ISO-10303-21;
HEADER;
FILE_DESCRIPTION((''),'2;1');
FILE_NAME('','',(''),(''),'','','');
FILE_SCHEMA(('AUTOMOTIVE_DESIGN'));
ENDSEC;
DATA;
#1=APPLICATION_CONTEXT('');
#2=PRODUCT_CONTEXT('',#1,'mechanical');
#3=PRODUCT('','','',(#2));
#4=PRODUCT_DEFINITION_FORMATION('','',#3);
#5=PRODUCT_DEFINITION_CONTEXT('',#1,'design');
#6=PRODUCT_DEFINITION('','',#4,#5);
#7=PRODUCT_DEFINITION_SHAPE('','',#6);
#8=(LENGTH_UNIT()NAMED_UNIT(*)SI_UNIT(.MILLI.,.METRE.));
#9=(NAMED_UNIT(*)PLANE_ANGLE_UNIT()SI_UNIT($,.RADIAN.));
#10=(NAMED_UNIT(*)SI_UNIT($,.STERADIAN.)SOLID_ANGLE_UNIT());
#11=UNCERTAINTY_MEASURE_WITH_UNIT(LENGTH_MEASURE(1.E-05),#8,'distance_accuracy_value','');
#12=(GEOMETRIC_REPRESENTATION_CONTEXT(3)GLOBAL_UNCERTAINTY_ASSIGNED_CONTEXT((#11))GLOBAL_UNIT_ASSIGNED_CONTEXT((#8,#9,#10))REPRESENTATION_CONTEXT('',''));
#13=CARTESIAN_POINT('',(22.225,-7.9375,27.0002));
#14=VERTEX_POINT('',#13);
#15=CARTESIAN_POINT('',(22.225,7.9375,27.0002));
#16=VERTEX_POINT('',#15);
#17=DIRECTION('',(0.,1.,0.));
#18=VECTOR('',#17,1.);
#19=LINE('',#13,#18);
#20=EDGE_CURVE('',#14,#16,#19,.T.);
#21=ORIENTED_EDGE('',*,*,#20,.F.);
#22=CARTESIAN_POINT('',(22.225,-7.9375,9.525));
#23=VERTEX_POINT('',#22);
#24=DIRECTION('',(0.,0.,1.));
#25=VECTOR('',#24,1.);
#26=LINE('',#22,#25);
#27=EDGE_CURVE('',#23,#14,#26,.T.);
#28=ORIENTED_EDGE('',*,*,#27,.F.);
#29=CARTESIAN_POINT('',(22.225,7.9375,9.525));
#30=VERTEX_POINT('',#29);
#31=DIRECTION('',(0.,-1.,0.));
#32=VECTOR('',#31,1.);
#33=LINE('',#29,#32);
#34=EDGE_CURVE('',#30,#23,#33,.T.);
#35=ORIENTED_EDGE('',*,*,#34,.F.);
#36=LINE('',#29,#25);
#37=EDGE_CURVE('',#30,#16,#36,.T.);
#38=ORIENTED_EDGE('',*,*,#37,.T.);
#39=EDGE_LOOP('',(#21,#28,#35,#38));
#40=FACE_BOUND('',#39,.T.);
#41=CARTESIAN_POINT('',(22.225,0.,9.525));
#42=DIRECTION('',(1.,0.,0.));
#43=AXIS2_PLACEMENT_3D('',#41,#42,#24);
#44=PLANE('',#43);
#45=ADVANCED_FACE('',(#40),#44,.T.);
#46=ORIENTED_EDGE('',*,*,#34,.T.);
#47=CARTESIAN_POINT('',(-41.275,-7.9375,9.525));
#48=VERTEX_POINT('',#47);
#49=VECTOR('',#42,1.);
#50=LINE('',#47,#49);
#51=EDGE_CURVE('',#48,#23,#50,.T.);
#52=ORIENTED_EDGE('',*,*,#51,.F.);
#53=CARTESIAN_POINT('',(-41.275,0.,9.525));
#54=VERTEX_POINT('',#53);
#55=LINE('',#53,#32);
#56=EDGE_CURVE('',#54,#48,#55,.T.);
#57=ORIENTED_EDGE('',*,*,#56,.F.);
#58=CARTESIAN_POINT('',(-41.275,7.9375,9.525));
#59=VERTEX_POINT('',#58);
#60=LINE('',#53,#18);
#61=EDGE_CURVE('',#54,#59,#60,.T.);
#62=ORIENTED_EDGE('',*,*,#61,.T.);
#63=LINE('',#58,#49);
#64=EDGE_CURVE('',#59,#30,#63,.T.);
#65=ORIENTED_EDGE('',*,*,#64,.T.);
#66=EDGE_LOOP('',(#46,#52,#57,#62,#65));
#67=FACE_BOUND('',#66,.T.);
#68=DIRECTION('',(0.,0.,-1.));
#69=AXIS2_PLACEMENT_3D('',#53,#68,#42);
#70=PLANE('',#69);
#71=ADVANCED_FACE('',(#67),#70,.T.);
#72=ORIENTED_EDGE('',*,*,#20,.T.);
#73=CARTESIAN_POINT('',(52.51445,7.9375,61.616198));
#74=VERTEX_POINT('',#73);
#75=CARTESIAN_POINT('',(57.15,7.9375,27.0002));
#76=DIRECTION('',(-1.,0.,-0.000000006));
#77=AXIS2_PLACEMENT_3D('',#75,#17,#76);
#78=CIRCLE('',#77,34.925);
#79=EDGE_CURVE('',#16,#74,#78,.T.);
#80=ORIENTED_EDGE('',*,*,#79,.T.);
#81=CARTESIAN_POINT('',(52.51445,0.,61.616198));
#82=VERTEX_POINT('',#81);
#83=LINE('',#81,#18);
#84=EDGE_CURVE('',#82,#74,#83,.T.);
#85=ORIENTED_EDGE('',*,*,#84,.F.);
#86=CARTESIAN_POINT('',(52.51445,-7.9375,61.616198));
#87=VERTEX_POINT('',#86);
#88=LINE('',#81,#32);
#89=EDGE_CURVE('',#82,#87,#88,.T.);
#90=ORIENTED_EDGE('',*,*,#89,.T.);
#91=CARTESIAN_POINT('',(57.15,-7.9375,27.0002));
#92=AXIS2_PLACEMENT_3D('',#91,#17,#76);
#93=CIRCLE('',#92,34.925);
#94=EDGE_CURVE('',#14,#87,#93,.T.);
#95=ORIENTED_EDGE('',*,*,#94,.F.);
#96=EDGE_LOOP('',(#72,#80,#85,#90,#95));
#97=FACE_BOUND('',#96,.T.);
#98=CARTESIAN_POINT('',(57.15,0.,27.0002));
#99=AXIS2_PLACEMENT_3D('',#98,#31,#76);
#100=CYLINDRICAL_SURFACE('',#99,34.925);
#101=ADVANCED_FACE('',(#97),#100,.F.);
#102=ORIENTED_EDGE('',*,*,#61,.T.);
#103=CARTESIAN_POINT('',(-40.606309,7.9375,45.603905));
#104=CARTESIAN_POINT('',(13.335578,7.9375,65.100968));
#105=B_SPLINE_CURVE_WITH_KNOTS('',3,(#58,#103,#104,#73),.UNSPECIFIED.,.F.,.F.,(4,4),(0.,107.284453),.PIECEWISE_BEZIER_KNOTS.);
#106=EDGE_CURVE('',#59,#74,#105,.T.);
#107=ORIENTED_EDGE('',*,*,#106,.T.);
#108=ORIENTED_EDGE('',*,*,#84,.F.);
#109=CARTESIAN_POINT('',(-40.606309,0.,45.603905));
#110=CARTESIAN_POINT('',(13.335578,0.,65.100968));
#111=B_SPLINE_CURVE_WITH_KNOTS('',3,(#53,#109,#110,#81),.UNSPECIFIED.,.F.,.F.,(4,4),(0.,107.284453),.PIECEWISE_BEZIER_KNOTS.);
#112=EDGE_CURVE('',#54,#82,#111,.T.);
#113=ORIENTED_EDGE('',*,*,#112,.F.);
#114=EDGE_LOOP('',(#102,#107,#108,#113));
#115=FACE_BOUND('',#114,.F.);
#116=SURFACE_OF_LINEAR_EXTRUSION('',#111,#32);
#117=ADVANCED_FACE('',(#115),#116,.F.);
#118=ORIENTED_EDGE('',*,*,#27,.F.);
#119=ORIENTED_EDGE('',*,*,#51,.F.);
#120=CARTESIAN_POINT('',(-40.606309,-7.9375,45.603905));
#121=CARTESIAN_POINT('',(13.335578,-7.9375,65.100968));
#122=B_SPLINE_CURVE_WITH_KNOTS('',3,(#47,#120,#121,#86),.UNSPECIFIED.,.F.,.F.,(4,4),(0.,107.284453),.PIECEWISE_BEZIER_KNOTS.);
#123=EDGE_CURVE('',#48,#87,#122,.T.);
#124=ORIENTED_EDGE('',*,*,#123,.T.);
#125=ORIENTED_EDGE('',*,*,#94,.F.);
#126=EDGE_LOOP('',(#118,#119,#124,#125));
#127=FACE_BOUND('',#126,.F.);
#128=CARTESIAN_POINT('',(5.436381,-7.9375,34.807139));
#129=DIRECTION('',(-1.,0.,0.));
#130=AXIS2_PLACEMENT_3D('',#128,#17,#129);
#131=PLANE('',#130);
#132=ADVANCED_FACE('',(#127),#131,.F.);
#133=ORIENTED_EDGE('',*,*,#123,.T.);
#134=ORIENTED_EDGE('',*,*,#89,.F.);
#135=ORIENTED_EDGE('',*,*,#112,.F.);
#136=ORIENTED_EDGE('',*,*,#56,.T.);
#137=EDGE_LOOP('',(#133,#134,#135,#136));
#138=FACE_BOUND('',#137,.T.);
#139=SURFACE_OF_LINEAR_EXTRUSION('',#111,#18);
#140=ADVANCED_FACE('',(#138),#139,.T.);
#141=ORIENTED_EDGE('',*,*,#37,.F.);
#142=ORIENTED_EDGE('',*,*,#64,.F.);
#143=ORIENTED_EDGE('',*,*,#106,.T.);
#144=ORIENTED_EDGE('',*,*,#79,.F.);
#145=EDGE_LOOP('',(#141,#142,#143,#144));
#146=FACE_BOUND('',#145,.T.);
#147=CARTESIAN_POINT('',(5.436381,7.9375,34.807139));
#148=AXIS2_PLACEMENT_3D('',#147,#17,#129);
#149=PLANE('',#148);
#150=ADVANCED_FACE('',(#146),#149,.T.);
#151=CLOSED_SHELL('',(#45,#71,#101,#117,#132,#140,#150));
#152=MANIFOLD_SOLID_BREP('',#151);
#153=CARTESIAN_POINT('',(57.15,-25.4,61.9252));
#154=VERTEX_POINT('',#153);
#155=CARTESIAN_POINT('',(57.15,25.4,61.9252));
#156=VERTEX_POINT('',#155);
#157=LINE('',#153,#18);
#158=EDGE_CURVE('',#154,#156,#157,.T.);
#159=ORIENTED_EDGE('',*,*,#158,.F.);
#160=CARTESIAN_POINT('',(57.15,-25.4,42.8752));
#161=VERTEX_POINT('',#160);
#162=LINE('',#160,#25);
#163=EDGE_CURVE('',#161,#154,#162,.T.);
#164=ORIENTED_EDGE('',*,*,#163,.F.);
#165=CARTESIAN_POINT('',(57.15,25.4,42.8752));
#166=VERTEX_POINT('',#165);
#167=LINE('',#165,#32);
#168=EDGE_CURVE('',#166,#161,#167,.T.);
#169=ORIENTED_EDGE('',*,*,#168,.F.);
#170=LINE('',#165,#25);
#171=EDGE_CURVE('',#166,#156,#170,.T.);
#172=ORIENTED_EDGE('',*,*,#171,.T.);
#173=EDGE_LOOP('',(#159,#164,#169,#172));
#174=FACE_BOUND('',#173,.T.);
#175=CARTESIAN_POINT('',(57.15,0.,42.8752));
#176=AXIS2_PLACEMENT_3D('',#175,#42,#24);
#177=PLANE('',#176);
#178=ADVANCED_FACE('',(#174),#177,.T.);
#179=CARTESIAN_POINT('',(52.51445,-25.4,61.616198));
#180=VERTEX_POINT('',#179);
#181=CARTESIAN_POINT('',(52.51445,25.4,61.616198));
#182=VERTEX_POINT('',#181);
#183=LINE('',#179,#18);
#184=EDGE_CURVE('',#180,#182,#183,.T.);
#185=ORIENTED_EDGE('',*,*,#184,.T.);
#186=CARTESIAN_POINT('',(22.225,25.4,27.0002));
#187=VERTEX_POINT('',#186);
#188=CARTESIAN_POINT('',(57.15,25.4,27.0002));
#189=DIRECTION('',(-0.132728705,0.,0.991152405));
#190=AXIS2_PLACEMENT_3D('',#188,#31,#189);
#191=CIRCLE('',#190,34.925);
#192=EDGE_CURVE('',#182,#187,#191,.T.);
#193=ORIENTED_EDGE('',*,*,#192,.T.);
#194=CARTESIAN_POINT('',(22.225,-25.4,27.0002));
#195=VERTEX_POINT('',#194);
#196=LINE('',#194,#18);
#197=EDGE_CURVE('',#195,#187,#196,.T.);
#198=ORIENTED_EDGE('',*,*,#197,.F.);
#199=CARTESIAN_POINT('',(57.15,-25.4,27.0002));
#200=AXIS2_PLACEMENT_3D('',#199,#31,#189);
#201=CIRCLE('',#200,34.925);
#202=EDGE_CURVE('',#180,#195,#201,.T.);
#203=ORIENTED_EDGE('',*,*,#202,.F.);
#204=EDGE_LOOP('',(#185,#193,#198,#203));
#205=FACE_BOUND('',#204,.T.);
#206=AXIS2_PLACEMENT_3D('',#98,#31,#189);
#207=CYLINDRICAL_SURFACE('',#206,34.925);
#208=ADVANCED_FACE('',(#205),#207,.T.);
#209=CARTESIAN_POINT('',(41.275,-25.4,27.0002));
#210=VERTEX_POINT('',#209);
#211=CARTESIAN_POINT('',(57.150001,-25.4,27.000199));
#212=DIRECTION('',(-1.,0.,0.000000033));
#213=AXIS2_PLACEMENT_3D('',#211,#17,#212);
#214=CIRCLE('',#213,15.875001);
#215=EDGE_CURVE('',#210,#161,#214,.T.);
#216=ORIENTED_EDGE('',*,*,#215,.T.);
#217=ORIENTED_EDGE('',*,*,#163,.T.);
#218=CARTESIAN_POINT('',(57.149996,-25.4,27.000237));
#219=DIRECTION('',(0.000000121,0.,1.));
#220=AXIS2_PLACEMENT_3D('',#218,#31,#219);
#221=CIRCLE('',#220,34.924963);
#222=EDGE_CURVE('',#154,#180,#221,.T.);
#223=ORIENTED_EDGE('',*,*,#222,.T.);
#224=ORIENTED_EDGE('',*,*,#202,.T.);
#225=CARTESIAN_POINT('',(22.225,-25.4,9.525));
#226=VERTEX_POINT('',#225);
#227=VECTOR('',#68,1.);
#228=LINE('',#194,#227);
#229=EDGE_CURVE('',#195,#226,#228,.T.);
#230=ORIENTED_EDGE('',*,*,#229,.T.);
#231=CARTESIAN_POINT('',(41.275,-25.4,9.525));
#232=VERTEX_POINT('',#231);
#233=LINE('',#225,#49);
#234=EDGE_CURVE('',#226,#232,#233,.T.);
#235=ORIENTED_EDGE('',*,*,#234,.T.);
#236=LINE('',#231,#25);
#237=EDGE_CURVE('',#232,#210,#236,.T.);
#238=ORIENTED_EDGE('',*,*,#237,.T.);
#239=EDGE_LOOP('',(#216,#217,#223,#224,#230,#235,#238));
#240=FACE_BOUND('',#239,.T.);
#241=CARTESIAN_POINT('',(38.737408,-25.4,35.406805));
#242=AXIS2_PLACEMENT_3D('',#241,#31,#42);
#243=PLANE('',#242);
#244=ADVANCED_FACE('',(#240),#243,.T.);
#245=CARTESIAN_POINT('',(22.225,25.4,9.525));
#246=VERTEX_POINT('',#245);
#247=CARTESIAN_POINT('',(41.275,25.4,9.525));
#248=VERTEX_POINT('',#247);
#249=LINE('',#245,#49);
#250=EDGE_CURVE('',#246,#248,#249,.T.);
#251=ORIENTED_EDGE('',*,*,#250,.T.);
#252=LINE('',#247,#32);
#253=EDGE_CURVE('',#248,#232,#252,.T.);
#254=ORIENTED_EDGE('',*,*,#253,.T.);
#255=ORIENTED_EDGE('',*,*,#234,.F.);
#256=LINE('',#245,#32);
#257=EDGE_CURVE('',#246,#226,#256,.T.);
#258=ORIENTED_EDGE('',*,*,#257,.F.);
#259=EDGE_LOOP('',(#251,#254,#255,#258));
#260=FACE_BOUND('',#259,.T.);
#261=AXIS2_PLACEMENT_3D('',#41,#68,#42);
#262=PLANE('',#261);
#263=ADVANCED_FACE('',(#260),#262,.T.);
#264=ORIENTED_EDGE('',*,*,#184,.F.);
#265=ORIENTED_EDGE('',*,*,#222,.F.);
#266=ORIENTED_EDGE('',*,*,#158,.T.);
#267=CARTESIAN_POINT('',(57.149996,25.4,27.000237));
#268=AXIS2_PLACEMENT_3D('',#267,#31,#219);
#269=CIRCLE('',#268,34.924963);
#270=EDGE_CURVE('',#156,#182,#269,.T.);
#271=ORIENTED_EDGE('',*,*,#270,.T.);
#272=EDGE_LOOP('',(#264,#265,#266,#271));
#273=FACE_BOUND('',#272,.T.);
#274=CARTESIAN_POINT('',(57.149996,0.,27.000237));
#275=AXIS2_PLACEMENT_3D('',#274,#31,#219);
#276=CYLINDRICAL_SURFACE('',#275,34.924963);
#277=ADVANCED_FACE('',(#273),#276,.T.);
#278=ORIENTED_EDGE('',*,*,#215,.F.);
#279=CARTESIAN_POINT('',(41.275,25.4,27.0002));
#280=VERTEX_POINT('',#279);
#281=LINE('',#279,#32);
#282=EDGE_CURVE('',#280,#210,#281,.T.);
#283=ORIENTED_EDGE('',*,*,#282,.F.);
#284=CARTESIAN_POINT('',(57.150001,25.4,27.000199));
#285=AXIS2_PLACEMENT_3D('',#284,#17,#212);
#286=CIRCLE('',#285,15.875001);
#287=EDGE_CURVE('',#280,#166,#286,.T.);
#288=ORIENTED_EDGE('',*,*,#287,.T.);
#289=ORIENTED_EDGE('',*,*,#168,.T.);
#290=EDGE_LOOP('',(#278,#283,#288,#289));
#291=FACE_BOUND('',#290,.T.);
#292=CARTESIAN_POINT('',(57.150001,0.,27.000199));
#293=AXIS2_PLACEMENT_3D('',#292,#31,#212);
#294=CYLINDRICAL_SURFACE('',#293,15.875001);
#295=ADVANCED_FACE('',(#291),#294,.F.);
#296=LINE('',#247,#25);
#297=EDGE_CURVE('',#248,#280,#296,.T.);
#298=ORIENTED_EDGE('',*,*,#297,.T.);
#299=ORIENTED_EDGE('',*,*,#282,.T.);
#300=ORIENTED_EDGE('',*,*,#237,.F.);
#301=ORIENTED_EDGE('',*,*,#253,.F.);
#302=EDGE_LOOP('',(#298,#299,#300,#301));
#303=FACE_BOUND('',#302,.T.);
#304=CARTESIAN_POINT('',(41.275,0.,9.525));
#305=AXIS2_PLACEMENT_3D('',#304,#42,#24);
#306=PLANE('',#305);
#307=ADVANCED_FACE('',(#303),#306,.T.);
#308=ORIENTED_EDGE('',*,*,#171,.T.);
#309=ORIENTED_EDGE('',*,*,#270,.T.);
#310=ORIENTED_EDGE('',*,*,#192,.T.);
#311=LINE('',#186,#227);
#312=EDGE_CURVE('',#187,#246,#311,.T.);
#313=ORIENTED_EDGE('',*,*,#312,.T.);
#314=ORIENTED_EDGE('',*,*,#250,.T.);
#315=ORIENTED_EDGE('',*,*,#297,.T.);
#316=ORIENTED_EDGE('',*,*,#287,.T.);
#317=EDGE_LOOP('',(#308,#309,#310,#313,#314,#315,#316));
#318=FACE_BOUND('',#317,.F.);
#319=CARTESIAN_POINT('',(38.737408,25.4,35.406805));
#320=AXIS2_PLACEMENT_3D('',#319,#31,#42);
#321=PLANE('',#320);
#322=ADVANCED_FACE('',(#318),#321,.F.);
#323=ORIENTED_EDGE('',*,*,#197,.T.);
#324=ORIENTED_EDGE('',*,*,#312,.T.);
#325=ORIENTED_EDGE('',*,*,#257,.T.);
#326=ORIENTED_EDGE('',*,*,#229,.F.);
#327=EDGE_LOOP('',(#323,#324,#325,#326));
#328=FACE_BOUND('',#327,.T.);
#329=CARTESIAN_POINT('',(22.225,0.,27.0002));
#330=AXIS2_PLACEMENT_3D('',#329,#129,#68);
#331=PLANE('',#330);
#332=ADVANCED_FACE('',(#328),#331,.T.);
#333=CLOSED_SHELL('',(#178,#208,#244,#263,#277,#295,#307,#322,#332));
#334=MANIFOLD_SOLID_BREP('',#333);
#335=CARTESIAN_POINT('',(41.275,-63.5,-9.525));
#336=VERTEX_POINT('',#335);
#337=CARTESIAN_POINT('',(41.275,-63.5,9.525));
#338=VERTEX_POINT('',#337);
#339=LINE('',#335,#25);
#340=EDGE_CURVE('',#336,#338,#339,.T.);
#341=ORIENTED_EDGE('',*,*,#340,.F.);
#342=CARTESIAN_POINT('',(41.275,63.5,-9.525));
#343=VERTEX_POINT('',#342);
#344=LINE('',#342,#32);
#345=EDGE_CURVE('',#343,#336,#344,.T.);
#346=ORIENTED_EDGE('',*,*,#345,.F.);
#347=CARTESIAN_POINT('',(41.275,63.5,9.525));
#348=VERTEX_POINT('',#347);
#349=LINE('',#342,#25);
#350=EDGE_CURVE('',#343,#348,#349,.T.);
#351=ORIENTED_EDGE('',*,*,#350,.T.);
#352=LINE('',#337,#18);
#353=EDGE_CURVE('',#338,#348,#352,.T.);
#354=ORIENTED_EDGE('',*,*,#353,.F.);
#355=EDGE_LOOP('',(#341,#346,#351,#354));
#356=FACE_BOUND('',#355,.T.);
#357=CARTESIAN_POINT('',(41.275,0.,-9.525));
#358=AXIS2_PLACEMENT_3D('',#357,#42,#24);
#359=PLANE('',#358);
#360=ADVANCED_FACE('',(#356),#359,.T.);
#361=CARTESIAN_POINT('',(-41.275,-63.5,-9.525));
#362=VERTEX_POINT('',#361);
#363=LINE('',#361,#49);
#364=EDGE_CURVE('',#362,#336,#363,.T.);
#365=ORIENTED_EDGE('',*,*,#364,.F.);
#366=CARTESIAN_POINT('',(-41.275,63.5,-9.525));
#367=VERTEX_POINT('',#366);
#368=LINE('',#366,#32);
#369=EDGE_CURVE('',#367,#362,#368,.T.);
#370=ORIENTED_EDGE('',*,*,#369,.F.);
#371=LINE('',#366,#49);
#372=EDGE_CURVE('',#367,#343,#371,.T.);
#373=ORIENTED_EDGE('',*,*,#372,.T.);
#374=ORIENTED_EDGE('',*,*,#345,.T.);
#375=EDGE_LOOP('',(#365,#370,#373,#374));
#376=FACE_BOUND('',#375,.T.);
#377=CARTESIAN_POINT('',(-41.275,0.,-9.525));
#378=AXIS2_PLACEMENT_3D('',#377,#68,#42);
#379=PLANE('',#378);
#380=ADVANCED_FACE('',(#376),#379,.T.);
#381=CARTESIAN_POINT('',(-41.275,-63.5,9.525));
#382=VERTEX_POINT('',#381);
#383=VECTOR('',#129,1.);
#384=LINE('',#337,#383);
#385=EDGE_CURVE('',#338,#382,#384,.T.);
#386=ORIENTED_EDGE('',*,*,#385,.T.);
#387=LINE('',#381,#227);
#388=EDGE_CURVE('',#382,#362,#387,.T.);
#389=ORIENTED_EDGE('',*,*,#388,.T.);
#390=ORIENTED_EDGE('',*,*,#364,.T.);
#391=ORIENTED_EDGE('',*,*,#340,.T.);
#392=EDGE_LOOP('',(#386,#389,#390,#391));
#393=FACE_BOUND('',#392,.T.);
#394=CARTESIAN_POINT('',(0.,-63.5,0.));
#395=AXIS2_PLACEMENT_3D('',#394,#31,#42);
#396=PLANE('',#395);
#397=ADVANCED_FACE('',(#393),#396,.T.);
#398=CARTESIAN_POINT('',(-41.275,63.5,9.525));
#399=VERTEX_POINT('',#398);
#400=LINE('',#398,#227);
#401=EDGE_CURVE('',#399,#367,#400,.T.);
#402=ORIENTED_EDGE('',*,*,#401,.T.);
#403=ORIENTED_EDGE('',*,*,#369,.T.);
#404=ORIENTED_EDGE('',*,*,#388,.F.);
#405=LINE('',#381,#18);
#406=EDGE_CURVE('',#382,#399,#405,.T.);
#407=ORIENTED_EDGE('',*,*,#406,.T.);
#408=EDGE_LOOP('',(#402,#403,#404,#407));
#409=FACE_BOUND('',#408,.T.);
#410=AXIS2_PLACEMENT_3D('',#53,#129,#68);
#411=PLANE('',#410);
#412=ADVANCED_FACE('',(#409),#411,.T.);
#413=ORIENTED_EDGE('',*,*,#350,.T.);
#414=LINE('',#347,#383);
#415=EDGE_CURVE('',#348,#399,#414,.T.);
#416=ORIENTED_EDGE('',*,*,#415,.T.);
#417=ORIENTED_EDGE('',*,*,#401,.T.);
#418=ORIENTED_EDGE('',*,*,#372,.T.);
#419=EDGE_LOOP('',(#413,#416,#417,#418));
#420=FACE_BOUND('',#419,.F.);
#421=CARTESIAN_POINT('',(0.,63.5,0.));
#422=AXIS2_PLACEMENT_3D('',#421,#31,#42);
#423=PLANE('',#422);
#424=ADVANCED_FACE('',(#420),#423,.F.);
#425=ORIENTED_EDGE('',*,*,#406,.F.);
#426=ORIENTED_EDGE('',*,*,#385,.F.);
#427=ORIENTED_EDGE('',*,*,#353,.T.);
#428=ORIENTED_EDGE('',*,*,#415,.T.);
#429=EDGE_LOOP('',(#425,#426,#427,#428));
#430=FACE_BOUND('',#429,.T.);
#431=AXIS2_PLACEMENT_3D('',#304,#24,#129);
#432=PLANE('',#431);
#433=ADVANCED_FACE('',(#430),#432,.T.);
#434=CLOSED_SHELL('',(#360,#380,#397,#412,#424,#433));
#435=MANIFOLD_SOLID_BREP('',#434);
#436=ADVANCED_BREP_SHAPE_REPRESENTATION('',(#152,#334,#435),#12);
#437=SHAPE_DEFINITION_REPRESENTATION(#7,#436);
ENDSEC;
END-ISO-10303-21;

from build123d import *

# Parameters (mm, degrees)
F1_DEPTH = 63.5
F2_DEPTH = 25.4
F3_DEPTH = 7.9375


with BuildPart() as f1:
    # F0 (on Front) → F1 (new body, symmetric)
    with BuildSketch(Plane.XZ):
        Polygon((22.225, 9.525), (-41.275, 9.525), (-41.275, -9.525), (41.275, -9.525), (41.275, 9.525), align=None)
    extrude(amount=F1_DEPTH, both=True)


with BuildPart() as f2:
    # F0 (on Front) → F2 (new body, symmetric)
    with BuildSketch(Plane.XZ):
        with BuildLine():
            Line((22.225, 27.0002), (22.225, 9.525))
            Line((22.225, 9.525), (41.275, 9.525))
            Line((41.275, 9.525), (41.275, 27.0002))
            ThreePointArc((41.275, 27.0002), (45.92468, 38.22552), (57.15, 42.8752))
            Line((57.15, 42.8752), (57.15, 61.9252))
            ThreePointArc((57.15, 61.9252), (54.827081, 61.847864), (52.51445, 61.616198))
            ThreePointArc((52.51445, 61.616198), (30.866429, 49.998668), (22.225, 27.0002))
        make_face()
    extrude(amount=F2_DEPTH, both=True)


with BuildPart() as f3:
    # F0 (on Front) → F3 (new body, symmetric)
    with BuildSketch(Plane.XZ):
        with BuildLine():
            add(Edge.make_bspline(
                [(-41.275, 9.525), (-40.606309, 45.603905), (13.335578, 65.100968), (52.51445, 61.616198)],
                knots=[0, 0, 0, 0, 107.284453, 107.284453, 107.284453, 107.284453], degree=3))
            Line((-41.275, 9.525), (22.225, 9.525))
            Line((22.225, 9.525), (22.225, 27.0002))
            ThreePointArc((22.225, 27.0002), (30.866429, 49.998668), (52.51445, 61.616198))
        make_face()
    extrude(amount=F3_DEPTH, both=True)


solid = Compound([f1.part, f2.part, f3.part])
